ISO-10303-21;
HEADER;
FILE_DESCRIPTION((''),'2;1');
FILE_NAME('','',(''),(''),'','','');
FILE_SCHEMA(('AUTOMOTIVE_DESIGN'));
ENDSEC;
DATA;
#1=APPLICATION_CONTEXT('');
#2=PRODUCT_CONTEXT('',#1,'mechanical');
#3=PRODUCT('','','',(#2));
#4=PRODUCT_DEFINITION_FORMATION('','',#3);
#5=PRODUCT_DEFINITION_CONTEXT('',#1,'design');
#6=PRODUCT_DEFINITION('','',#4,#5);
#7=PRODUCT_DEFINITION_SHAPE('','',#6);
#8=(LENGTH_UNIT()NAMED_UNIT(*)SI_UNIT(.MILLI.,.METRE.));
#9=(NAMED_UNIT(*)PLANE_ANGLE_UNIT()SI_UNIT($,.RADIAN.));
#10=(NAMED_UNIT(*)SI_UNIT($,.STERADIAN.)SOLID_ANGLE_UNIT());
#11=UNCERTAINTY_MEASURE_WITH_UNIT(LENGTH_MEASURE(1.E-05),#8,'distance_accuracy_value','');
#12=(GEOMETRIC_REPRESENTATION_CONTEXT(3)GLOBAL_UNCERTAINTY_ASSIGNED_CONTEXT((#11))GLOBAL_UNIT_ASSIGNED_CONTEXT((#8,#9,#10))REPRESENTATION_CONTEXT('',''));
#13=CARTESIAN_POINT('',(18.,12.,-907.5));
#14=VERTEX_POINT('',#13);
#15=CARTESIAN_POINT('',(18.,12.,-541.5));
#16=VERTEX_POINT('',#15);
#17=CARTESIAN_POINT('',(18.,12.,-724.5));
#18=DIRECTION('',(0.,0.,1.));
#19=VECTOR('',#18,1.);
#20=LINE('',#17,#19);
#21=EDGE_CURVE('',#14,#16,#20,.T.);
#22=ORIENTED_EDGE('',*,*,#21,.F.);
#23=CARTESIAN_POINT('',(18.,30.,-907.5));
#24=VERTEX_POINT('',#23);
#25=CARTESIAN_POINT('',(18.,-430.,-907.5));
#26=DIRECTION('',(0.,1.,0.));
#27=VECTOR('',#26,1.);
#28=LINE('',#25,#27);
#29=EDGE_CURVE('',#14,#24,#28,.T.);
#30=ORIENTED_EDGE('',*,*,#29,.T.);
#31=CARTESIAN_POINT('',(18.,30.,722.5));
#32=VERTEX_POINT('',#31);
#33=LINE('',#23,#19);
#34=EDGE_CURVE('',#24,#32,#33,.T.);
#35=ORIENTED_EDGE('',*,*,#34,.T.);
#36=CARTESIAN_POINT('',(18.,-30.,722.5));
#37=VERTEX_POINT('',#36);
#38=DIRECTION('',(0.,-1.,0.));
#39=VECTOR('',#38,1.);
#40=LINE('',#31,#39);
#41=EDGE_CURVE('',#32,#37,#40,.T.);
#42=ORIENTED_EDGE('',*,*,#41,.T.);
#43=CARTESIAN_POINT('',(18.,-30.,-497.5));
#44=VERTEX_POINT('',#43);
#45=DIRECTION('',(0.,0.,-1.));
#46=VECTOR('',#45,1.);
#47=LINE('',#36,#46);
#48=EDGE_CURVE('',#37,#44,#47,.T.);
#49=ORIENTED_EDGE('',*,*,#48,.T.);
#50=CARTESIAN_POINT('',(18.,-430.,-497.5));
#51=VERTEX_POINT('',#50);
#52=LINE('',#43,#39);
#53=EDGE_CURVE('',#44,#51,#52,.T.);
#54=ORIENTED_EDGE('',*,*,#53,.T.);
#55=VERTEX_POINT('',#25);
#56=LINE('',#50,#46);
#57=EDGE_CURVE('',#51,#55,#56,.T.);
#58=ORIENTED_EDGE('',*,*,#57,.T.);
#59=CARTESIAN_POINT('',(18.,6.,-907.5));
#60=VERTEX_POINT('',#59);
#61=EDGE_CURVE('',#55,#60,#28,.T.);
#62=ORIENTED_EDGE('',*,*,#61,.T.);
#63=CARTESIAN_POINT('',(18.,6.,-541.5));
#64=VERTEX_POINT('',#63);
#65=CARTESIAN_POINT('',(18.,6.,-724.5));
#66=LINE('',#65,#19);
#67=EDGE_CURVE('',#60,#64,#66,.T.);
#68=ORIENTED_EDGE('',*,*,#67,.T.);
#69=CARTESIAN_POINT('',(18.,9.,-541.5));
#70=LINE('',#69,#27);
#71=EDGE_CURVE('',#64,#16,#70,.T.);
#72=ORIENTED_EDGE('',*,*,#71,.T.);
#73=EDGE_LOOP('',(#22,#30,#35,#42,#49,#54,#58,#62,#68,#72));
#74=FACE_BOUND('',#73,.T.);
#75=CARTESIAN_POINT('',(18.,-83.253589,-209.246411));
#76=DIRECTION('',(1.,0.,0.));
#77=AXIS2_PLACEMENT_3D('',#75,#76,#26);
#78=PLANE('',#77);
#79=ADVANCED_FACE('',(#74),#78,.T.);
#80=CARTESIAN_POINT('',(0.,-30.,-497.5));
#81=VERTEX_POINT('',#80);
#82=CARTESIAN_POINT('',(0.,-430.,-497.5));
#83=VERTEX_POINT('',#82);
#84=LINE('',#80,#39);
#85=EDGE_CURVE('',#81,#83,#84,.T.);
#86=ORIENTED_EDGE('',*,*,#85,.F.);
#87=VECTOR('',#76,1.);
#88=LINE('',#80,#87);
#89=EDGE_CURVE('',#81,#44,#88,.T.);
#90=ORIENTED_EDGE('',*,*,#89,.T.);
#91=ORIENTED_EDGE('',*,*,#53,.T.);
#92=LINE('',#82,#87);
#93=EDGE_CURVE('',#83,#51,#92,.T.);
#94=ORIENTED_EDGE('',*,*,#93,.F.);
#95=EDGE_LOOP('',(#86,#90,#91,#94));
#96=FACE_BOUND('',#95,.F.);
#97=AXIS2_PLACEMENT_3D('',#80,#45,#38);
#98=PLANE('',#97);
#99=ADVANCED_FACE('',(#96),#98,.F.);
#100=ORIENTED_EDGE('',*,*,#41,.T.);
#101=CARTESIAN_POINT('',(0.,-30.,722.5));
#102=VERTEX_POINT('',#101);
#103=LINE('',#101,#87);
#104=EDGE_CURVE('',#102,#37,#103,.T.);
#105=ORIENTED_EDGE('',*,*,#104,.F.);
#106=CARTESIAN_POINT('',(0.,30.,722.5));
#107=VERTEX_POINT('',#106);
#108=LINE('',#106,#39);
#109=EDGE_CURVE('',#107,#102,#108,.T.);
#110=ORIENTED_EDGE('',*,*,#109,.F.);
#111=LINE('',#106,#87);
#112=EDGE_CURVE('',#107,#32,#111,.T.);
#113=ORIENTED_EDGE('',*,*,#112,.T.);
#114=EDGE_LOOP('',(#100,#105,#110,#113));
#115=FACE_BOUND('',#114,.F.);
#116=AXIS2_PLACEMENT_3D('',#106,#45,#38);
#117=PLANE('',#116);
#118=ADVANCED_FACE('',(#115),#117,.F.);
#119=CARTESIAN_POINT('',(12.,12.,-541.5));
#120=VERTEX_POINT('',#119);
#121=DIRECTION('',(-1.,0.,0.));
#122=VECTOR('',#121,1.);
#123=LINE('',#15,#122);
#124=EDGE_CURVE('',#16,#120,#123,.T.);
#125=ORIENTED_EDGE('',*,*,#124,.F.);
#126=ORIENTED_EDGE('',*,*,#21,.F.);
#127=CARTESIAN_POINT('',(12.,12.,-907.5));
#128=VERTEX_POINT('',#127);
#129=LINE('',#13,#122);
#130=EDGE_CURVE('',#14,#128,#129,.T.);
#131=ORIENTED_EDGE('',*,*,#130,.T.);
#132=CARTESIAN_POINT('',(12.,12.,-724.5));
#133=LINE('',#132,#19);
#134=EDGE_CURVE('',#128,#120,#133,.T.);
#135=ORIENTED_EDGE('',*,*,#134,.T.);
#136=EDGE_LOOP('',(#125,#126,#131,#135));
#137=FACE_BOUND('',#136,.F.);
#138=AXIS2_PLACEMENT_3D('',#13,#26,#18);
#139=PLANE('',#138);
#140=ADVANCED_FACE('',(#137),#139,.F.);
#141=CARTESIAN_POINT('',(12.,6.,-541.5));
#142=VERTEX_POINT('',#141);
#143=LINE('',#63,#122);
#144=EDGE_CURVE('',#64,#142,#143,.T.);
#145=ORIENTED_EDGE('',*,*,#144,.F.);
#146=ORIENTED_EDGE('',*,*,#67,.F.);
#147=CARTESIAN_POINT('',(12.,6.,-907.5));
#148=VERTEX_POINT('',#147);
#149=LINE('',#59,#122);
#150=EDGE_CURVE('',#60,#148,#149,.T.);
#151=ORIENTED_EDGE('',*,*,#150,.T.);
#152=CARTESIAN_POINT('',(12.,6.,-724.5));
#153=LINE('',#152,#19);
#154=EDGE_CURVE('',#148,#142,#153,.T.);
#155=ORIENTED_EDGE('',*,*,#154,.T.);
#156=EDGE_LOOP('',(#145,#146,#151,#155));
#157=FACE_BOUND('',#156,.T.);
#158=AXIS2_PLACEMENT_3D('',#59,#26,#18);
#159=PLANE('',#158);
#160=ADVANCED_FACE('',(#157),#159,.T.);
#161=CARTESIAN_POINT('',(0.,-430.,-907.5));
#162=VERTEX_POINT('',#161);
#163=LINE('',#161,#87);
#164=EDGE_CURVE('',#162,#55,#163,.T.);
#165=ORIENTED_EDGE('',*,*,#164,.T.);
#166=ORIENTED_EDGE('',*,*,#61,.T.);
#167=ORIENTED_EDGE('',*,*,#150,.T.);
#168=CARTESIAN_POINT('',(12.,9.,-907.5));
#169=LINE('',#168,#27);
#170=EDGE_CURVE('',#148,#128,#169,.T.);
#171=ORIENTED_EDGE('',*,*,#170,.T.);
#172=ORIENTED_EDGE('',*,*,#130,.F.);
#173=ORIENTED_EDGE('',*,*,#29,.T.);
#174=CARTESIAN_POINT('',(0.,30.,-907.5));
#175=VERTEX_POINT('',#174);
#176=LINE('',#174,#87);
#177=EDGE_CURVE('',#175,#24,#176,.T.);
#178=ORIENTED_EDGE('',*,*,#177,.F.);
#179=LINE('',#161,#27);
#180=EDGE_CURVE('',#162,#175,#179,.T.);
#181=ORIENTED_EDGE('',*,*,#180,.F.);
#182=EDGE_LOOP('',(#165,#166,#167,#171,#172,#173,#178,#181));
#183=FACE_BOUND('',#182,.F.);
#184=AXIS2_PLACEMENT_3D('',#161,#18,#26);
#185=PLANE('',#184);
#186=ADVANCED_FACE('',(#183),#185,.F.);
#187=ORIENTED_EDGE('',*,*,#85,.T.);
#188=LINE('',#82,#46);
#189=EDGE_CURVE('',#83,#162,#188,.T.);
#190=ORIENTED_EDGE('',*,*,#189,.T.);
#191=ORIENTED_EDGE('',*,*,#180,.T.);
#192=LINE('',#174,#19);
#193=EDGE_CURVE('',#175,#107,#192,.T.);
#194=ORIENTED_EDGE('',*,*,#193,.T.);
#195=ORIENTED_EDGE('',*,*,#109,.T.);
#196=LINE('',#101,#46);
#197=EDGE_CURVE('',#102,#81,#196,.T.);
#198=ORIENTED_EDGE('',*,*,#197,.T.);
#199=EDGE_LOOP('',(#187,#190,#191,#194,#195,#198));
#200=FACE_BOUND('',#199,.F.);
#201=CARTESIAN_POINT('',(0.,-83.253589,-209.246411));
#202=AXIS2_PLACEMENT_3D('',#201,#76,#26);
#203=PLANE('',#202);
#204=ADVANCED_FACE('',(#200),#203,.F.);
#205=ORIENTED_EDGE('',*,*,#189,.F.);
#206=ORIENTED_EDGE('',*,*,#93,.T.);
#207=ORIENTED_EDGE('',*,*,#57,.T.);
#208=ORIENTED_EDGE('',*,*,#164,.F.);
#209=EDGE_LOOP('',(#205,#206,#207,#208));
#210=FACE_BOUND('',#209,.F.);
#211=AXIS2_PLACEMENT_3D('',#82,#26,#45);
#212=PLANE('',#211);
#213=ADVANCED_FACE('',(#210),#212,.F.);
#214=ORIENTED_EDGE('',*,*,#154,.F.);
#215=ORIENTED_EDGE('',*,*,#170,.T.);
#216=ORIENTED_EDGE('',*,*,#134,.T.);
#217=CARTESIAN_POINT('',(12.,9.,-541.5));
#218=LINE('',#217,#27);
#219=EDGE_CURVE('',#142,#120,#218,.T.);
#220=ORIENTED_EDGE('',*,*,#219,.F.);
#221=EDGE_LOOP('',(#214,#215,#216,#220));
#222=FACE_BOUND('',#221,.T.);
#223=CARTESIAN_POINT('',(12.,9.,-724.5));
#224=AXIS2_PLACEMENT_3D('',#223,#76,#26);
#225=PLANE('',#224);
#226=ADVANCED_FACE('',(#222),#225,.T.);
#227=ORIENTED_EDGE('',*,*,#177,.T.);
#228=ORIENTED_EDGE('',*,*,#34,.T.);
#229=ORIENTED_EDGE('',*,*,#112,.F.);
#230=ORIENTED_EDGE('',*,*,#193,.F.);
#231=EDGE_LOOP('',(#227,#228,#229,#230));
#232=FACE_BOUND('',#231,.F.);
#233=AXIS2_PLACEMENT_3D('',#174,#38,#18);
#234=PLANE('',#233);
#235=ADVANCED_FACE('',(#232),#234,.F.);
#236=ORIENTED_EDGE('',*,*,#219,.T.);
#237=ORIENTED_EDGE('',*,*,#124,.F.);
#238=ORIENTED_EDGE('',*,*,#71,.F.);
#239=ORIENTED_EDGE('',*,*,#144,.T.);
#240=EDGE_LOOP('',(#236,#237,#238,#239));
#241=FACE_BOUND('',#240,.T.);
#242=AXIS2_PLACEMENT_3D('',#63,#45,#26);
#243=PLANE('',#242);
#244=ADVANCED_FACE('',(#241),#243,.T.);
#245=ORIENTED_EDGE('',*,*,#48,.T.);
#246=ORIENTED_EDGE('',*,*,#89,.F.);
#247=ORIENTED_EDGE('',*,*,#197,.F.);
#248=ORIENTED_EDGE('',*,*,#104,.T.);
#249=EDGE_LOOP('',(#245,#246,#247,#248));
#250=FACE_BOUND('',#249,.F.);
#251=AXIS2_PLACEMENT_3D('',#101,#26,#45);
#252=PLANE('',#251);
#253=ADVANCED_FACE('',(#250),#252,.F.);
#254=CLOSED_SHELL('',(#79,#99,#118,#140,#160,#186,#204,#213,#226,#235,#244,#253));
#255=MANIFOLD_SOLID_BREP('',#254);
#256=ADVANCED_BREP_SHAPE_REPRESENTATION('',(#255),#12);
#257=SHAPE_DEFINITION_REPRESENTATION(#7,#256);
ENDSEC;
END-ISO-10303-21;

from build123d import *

# Parameters (mm, degrees)
F1_DEPTH = 18
F2_W     = 6
F2_H     = 366
F3_DEPTH = 6


with BuildPart() as f1:
    # F0 (on Right) → F1 (new body)
    with BuildSketch(Plane.YZ):
        Polygon((30, -907.5), (30, 722.5), (-30, 722.5), (-30, -497.5), (-430, -497.5), (-430, -907.5), align=None)
    extrude(amount=F1_DEPTH)

    # F2 (on face) → F3 (cut)
    with BuildSketch(Plane.YZ.offset(18)):
        with Locations((9, -724.5)):
            Rectangle(F2_W, F2_H)
    extrude(amount=-F3_DEPTH, mode=Mode.SUBTRACT)


solid = f1.part
